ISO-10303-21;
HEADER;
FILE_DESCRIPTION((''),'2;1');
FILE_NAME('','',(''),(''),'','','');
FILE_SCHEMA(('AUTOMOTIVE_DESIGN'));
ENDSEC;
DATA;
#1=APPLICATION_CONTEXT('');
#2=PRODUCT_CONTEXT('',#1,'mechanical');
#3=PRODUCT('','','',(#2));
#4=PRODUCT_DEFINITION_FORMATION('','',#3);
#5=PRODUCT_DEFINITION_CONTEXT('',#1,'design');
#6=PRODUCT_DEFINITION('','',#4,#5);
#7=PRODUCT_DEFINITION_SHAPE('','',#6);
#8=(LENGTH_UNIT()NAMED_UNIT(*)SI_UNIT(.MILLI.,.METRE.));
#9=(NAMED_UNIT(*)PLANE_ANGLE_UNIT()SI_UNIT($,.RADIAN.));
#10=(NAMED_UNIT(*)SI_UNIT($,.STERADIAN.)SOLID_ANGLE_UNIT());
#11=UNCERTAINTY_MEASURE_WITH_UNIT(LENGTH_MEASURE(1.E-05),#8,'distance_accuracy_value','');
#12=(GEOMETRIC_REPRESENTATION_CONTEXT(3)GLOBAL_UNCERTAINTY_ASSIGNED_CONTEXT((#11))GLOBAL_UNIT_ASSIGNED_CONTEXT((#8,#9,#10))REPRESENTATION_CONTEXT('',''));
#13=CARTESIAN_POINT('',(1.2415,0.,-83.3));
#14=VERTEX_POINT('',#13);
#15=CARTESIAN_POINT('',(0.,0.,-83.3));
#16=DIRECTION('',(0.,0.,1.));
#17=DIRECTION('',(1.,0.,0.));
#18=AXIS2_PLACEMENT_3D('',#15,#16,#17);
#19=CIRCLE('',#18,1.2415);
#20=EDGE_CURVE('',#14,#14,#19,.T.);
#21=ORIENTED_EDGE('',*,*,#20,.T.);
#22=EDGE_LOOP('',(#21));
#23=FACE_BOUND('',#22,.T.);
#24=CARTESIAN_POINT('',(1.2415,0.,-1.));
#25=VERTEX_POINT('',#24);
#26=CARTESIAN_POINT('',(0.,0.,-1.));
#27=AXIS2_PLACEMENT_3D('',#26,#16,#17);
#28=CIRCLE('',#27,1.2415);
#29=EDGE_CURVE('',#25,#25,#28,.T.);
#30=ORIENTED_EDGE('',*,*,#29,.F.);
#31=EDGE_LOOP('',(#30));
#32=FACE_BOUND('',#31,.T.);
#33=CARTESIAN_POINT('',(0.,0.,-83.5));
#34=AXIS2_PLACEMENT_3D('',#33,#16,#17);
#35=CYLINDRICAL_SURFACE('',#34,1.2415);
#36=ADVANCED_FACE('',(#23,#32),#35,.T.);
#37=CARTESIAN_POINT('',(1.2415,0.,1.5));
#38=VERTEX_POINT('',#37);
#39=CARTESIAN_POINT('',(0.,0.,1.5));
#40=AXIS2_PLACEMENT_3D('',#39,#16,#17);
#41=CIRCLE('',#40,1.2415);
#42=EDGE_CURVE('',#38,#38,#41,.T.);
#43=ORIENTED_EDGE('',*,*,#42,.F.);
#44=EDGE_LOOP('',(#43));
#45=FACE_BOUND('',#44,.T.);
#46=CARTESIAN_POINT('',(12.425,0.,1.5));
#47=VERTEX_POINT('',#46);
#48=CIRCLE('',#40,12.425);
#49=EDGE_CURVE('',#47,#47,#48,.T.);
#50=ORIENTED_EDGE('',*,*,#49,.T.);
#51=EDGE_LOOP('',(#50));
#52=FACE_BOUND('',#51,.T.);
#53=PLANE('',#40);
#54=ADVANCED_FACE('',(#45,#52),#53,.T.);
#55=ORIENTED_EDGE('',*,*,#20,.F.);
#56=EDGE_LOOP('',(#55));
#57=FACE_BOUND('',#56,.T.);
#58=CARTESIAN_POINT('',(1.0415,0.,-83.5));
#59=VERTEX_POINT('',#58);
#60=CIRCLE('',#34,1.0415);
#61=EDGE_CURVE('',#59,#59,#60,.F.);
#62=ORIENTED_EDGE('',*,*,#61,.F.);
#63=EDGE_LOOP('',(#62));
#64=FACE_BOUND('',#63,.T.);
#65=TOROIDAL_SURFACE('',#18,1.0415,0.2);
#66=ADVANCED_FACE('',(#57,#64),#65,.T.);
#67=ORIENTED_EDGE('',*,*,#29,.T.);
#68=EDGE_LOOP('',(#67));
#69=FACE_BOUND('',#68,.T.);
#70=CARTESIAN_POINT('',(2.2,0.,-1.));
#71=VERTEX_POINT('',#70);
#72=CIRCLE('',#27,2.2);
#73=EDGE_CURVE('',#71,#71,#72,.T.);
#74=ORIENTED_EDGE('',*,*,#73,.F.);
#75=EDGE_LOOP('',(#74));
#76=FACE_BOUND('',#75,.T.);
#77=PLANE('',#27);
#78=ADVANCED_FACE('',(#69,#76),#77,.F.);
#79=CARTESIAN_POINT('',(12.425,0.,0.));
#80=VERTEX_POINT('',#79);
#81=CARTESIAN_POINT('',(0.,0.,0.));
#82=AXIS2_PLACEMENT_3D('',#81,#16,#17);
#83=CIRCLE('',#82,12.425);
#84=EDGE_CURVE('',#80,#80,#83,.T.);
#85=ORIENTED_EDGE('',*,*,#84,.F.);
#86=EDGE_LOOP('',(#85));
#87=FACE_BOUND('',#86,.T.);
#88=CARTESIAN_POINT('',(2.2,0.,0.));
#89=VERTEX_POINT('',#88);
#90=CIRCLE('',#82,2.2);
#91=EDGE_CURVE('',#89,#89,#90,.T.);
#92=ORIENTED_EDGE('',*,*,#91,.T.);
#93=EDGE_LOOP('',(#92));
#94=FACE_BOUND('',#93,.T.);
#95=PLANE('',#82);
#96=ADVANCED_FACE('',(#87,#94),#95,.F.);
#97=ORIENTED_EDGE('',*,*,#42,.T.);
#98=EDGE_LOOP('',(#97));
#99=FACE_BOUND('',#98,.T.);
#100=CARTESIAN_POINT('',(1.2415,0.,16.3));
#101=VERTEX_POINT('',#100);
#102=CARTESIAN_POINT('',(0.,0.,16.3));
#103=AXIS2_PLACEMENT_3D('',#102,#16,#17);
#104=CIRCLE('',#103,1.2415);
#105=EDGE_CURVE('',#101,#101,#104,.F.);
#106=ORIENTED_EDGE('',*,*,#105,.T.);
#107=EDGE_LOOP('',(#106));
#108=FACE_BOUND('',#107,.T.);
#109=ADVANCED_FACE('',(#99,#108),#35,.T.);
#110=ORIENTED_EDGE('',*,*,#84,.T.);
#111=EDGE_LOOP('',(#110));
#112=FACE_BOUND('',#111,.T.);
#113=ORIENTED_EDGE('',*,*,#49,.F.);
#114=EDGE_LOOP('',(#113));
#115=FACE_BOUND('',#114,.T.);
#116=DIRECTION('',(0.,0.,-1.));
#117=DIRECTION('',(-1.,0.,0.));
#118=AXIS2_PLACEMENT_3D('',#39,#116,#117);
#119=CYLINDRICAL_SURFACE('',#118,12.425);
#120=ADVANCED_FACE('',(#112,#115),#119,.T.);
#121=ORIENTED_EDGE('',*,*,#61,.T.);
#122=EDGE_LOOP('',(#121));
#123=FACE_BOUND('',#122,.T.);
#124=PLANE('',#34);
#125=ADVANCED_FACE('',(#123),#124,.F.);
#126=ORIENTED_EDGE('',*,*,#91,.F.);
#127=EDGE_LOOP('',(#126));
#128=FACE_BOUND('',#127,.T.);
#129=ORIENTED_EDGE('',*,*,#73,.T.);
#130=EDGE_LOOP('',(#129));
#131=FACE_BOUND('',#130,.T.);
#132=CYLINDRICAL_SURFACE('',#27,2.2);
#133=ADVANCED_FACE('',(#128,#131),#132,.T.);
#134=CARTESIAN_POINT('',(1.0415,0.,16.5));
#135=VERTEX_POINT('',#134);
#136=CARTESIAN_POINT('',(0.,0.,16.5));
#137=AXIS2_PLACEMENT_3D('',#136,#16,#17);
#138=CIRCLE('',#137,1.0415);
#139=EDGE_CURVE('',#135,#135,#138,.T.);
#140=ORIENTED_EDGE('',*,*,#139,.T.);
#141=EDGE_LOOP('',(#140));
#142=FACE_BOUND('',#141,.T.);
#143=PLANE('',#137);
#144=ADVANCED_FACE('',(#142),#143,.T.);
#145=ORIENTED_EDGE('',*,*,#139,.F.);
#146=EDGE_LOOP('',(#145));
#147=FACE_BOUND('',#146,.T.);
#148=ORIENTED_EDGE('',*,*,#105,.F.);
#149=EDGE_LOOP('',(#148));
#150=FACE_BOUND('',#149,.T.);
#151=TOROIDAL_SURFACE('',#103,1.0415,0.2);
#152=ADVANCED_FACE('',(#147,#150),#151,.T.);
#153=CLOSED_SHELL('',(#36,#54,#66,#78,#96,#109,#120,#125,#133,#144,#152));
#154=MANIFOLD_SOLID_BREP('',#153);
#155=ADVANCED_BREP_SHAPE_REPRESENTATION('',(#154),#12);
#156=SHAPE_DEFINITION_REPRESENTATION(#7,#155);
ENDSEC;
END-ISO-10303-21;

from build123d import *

# Parameters (mm, degrees)
ESBO_O1_R                = 12.425
ESBO_O1_R_2              = 1.2415
RESSALTO_EXTRUS_O1_DEPTH = 1.5
RESSALTO_EXTRUS_O2_START = -1
ESBO_O2_R                = 2.2
ESBO_O2_R_2              = 1.2415
RESSALTO_EXTRUS_O2_DEPTH = 1
RESSALTO_EXTRUS_O3_START = -100
ESBO_O3_R                = 1.2415
RESSALTO_EXTRUS_O3_DEPTH = 100
FILETE1_R                = 0.2


with BuildPart() as part:
    # Esboço1 → Ressalto-extrusão1 (new body)
    with BuildSketch(Plane.XY):
        Circle(ESBO_O1_R)
        Circle(ESBO_O1_R_2, mode=Mode.SUBTRACT)
    extrude(amount=RESSALTO_EXTRUS_O1_DEPTH)

    # Esboço2 → Ressalto-extrusão2 (add)
    with BuildSketch(Plane.XY.offset(RESSALTO_EXTRUS_O2_START)):
        Circle(ESBO_O2_R)
        Circle(ESBO_O2_R_2, mode=Mode.SUBTRACT)
    extrude(amount=RESSALTO_EXTRUS_O2_DEPTH)

    # Esboço3 → Ressalto-extrusão3 (add)
    with BuildSketch(Plane.XY.offset(16.5).offset(RESSALTO_EXTRUS_O3_START)):
        Circle(ESBO_O3_R)
    extrude(amount=RESSALTO_EXTRUS_O3_DEPTH)

    # Filete1
    filete1_edges = [part.edges().sort_by_distance(p)[0] for p in [
        (-1.2415, 0, -83.5),
        (-1.2415, 0, 16.5),
    ]]
    fillet(filete1_edges, radius=FILETE1_R)


solid = part.part
